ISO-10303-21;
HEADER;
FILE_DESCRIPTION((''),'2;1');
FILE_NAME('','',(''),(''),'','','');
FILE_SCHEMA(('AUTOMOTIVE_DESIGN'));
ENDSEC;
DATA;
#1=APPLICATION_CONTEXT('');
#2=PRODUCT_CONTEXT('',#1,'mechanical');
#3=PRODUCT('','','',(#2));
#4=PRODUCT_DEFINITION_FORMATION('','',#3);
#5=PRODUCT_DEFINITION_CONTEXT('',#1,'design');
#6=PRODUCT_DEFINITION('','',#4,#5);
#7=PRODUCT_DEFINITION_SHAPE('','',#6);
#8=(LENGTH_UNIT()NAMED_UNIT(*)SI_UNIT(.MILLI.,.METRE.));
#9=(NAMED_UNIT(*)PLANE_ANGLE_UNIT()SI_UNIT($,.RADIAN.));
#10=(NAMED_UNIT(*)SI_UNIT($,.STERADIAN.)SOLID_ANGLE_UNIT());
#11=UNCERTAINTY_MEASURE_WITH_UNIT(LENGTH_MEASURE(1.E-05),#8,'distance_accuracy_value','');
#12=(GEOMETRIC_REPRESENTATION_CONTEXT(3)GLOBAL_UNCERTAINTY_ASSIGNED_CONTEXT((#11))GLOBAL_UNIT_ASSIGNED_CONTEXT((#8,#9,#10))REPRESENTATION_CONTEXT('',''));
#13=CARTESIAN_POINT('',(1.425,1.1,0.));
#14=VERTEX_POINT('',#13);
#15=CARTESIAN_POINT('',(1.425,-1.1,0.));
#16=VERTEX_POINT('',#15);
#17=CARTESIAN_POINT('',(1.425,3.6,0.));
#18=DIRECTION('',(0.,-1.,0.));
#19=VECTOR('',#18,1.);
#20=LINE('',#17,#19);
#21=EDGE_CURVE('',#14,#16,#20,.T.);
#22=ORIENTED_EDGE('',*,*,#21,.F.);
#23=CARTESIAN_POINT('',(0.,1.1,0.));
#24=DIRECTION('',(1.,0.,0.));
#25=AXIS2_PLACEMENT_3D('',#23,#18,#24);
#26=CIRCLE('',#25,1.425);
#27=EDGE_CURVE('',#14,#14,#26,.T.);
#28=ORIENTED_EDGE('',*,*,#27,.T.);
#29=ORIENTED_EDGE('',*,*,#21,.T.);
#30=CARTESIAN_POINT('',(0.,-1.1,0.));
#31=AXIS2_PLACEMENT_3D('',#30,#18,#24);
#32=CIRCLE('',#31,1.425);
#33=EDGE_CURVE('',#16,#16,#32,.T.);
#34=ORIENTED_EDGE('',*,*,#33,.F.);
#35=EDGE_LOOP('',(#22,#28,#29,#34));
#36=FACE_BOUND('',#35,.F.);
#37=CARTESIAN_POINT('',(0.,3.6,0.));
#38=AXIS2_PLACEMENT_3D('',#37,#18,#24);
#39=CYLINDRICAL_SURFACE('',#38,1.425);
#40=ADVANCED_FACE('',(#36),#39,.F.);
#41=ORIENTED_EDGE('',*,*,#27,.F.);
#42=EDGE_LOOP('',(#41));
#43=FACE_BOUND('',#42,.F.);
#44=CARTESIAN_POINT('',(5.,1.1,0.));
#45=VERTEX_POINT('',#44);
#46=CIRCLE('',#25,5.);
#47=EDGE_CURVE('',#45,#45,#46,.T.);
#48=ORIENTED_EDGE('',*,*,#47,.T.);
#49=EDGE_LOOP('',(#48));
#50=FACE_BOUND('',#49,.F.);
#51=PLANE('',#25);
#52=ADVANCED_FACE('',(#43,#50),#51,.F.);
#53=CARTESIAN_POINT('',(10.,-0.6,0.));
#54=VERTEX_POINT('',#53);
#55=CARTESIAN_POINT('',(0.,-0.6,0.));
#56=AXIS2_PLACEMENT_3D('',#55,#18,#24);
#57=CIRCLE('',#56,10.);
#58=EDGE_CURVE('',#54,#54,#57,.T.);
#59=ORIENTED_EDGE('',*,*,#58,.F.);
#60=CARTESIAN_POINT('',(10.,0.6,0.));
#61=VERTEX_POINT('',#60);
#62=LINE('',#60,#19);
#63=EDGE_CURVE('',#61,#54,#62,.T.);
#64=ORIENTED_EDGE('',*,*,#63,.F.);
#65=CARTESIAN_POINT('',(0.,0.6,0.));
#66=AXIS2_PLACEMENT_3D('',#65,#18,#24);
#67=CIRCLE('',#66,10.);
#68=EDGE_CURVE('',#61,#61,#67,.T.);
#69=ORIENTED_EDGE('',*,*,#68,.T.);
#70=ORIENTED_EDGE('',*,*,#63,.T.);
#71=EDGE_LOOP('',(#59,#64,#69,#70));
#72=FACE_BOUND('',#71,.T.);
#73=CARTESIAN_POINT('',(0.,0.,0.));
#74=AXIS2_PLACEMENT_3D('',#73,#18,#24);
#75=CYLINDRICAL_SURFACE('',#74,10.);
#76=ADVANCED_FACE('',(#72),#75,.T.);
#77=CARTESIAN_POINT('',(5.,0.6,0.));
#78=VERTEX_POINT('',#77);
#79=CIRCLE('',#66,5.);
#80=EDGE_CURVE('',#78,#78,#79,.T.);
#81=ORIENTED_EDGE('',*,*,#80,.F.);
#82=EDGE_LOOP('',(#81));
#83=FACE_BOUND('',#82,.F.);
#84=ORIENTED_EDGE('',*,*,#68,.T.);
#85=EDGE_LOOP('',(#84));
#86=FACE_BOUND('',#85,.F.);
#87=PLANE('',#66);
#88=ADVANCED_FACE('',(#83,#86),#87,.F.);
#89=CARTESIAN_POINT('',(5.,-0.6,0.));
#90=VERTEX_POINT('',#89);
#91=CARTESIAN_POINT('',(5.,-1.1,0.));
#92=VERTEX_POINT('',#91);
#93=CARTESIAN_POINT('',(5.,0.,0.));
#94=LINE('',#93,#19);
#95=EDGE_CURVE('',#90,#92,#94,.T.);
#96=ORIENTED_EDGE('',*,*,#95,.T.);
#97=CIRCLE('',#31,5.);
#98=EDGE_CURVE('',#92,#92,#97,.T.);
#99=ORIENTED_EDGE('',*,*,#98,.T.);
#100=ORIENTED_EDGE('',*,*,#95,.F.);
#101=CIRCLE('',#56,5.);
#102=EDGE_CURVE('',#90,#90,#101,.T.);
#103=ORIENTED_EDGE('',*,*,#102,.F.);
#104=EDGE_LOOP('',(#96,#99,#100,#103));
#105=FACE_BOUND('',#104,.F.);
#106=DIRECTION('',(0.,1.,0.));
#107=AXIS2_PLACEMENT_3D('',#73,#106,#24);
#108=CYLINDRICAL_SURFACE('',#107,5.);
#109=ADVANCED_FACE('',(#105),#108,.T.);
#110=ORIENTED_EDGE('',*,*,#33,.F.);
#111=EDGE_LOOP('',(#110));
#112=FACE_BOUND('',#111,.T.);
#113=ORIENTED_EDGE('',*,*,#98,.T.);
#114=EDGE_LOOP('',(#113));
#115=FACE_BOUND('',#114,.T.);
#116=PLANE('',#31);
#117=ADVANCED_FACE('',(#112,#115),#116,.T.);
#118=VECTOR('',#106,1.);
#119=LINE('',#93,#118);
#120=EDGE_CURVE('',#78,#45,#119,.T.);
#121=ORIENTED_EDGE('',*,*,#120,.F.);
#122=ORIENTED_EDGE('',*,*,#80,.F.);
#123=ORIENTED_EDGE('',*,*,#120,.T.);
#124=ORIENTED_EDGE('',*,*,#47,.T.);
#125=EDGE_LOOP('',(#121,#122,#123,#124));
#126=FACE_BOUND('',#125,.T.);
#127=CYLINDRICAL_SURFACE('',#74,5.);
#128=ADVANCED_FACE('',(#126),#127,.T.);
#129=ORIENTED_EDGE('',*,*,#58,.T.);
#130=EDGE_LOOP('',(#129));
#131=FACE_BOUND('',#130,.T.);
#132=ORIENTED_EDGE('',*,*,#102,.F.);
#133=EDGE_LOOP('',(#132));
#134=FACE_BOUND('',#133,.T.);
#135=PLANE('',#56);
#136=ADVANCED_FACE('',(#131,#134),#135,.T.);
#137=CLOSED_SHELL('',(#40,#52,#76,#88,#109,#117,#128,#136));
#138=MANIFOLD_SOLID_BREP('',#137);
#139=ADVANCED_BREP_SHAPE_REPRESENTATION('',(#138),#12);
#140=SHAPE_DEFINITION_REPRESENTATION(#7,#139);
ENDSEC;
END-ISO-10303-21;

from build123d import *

# Parameters (mm, degrees)
F0_R     = 5
F1_DEPTH = 1.1
F0_R_2   = 10
F2_DEPTH = 0.6
F3_DEPTH = 0.6
F4_DEPTH = 1.1
F7_D     = 2.85
F7_DEPTH = 2.5
F7_TIP   = 0.8562263821


with BuildPart() as f1:
    # F0 (on Front) → F1 (new body)
    with BuildSketch(Plane.XZ):
        Circle(F0_R)
    extrude(amount=F1_DEPTH)

    # F0 (on Front) → F2 (join)
    with BuildSketch(Plane.XZ):
        Circle(F0_R_2)
        Circle(F0_R, mode=Mode.SUBTRACT)
    extrude(amount=F2_DEPTH)

    # F0 (on Front) → F3 (join)
    with BuildSketch(Plane.XZ):
        Circle(F0_R_2)
        Circle(F0_R, mode=Mode.SUBTRACT)
    extrude(amount=-F3_DEPTH)

    # F0 (on Front) → F4 (join)
    with BuildSketch(Plane.XZ):
        Circle(F0_R)
    extrude(amount=-F4_DEPTH)

    # F7
    with Locations(Plane(origin=(0, 1.1, 0), x_dir=(-1, 0, 0), z_dir=(0, 1, 0))):
        with Locations((0, 0)):
            Hole(F7_D / 2, depth=F7_DEPTH)
            with Locations((0, 0, -(F7_DEPTH + F7_TIP / 2))):  # 118° drill point
                Cone(0, F7_D / 2, F7_TIP, mode=Mode.SUBTRACT)


solid = f1.part
